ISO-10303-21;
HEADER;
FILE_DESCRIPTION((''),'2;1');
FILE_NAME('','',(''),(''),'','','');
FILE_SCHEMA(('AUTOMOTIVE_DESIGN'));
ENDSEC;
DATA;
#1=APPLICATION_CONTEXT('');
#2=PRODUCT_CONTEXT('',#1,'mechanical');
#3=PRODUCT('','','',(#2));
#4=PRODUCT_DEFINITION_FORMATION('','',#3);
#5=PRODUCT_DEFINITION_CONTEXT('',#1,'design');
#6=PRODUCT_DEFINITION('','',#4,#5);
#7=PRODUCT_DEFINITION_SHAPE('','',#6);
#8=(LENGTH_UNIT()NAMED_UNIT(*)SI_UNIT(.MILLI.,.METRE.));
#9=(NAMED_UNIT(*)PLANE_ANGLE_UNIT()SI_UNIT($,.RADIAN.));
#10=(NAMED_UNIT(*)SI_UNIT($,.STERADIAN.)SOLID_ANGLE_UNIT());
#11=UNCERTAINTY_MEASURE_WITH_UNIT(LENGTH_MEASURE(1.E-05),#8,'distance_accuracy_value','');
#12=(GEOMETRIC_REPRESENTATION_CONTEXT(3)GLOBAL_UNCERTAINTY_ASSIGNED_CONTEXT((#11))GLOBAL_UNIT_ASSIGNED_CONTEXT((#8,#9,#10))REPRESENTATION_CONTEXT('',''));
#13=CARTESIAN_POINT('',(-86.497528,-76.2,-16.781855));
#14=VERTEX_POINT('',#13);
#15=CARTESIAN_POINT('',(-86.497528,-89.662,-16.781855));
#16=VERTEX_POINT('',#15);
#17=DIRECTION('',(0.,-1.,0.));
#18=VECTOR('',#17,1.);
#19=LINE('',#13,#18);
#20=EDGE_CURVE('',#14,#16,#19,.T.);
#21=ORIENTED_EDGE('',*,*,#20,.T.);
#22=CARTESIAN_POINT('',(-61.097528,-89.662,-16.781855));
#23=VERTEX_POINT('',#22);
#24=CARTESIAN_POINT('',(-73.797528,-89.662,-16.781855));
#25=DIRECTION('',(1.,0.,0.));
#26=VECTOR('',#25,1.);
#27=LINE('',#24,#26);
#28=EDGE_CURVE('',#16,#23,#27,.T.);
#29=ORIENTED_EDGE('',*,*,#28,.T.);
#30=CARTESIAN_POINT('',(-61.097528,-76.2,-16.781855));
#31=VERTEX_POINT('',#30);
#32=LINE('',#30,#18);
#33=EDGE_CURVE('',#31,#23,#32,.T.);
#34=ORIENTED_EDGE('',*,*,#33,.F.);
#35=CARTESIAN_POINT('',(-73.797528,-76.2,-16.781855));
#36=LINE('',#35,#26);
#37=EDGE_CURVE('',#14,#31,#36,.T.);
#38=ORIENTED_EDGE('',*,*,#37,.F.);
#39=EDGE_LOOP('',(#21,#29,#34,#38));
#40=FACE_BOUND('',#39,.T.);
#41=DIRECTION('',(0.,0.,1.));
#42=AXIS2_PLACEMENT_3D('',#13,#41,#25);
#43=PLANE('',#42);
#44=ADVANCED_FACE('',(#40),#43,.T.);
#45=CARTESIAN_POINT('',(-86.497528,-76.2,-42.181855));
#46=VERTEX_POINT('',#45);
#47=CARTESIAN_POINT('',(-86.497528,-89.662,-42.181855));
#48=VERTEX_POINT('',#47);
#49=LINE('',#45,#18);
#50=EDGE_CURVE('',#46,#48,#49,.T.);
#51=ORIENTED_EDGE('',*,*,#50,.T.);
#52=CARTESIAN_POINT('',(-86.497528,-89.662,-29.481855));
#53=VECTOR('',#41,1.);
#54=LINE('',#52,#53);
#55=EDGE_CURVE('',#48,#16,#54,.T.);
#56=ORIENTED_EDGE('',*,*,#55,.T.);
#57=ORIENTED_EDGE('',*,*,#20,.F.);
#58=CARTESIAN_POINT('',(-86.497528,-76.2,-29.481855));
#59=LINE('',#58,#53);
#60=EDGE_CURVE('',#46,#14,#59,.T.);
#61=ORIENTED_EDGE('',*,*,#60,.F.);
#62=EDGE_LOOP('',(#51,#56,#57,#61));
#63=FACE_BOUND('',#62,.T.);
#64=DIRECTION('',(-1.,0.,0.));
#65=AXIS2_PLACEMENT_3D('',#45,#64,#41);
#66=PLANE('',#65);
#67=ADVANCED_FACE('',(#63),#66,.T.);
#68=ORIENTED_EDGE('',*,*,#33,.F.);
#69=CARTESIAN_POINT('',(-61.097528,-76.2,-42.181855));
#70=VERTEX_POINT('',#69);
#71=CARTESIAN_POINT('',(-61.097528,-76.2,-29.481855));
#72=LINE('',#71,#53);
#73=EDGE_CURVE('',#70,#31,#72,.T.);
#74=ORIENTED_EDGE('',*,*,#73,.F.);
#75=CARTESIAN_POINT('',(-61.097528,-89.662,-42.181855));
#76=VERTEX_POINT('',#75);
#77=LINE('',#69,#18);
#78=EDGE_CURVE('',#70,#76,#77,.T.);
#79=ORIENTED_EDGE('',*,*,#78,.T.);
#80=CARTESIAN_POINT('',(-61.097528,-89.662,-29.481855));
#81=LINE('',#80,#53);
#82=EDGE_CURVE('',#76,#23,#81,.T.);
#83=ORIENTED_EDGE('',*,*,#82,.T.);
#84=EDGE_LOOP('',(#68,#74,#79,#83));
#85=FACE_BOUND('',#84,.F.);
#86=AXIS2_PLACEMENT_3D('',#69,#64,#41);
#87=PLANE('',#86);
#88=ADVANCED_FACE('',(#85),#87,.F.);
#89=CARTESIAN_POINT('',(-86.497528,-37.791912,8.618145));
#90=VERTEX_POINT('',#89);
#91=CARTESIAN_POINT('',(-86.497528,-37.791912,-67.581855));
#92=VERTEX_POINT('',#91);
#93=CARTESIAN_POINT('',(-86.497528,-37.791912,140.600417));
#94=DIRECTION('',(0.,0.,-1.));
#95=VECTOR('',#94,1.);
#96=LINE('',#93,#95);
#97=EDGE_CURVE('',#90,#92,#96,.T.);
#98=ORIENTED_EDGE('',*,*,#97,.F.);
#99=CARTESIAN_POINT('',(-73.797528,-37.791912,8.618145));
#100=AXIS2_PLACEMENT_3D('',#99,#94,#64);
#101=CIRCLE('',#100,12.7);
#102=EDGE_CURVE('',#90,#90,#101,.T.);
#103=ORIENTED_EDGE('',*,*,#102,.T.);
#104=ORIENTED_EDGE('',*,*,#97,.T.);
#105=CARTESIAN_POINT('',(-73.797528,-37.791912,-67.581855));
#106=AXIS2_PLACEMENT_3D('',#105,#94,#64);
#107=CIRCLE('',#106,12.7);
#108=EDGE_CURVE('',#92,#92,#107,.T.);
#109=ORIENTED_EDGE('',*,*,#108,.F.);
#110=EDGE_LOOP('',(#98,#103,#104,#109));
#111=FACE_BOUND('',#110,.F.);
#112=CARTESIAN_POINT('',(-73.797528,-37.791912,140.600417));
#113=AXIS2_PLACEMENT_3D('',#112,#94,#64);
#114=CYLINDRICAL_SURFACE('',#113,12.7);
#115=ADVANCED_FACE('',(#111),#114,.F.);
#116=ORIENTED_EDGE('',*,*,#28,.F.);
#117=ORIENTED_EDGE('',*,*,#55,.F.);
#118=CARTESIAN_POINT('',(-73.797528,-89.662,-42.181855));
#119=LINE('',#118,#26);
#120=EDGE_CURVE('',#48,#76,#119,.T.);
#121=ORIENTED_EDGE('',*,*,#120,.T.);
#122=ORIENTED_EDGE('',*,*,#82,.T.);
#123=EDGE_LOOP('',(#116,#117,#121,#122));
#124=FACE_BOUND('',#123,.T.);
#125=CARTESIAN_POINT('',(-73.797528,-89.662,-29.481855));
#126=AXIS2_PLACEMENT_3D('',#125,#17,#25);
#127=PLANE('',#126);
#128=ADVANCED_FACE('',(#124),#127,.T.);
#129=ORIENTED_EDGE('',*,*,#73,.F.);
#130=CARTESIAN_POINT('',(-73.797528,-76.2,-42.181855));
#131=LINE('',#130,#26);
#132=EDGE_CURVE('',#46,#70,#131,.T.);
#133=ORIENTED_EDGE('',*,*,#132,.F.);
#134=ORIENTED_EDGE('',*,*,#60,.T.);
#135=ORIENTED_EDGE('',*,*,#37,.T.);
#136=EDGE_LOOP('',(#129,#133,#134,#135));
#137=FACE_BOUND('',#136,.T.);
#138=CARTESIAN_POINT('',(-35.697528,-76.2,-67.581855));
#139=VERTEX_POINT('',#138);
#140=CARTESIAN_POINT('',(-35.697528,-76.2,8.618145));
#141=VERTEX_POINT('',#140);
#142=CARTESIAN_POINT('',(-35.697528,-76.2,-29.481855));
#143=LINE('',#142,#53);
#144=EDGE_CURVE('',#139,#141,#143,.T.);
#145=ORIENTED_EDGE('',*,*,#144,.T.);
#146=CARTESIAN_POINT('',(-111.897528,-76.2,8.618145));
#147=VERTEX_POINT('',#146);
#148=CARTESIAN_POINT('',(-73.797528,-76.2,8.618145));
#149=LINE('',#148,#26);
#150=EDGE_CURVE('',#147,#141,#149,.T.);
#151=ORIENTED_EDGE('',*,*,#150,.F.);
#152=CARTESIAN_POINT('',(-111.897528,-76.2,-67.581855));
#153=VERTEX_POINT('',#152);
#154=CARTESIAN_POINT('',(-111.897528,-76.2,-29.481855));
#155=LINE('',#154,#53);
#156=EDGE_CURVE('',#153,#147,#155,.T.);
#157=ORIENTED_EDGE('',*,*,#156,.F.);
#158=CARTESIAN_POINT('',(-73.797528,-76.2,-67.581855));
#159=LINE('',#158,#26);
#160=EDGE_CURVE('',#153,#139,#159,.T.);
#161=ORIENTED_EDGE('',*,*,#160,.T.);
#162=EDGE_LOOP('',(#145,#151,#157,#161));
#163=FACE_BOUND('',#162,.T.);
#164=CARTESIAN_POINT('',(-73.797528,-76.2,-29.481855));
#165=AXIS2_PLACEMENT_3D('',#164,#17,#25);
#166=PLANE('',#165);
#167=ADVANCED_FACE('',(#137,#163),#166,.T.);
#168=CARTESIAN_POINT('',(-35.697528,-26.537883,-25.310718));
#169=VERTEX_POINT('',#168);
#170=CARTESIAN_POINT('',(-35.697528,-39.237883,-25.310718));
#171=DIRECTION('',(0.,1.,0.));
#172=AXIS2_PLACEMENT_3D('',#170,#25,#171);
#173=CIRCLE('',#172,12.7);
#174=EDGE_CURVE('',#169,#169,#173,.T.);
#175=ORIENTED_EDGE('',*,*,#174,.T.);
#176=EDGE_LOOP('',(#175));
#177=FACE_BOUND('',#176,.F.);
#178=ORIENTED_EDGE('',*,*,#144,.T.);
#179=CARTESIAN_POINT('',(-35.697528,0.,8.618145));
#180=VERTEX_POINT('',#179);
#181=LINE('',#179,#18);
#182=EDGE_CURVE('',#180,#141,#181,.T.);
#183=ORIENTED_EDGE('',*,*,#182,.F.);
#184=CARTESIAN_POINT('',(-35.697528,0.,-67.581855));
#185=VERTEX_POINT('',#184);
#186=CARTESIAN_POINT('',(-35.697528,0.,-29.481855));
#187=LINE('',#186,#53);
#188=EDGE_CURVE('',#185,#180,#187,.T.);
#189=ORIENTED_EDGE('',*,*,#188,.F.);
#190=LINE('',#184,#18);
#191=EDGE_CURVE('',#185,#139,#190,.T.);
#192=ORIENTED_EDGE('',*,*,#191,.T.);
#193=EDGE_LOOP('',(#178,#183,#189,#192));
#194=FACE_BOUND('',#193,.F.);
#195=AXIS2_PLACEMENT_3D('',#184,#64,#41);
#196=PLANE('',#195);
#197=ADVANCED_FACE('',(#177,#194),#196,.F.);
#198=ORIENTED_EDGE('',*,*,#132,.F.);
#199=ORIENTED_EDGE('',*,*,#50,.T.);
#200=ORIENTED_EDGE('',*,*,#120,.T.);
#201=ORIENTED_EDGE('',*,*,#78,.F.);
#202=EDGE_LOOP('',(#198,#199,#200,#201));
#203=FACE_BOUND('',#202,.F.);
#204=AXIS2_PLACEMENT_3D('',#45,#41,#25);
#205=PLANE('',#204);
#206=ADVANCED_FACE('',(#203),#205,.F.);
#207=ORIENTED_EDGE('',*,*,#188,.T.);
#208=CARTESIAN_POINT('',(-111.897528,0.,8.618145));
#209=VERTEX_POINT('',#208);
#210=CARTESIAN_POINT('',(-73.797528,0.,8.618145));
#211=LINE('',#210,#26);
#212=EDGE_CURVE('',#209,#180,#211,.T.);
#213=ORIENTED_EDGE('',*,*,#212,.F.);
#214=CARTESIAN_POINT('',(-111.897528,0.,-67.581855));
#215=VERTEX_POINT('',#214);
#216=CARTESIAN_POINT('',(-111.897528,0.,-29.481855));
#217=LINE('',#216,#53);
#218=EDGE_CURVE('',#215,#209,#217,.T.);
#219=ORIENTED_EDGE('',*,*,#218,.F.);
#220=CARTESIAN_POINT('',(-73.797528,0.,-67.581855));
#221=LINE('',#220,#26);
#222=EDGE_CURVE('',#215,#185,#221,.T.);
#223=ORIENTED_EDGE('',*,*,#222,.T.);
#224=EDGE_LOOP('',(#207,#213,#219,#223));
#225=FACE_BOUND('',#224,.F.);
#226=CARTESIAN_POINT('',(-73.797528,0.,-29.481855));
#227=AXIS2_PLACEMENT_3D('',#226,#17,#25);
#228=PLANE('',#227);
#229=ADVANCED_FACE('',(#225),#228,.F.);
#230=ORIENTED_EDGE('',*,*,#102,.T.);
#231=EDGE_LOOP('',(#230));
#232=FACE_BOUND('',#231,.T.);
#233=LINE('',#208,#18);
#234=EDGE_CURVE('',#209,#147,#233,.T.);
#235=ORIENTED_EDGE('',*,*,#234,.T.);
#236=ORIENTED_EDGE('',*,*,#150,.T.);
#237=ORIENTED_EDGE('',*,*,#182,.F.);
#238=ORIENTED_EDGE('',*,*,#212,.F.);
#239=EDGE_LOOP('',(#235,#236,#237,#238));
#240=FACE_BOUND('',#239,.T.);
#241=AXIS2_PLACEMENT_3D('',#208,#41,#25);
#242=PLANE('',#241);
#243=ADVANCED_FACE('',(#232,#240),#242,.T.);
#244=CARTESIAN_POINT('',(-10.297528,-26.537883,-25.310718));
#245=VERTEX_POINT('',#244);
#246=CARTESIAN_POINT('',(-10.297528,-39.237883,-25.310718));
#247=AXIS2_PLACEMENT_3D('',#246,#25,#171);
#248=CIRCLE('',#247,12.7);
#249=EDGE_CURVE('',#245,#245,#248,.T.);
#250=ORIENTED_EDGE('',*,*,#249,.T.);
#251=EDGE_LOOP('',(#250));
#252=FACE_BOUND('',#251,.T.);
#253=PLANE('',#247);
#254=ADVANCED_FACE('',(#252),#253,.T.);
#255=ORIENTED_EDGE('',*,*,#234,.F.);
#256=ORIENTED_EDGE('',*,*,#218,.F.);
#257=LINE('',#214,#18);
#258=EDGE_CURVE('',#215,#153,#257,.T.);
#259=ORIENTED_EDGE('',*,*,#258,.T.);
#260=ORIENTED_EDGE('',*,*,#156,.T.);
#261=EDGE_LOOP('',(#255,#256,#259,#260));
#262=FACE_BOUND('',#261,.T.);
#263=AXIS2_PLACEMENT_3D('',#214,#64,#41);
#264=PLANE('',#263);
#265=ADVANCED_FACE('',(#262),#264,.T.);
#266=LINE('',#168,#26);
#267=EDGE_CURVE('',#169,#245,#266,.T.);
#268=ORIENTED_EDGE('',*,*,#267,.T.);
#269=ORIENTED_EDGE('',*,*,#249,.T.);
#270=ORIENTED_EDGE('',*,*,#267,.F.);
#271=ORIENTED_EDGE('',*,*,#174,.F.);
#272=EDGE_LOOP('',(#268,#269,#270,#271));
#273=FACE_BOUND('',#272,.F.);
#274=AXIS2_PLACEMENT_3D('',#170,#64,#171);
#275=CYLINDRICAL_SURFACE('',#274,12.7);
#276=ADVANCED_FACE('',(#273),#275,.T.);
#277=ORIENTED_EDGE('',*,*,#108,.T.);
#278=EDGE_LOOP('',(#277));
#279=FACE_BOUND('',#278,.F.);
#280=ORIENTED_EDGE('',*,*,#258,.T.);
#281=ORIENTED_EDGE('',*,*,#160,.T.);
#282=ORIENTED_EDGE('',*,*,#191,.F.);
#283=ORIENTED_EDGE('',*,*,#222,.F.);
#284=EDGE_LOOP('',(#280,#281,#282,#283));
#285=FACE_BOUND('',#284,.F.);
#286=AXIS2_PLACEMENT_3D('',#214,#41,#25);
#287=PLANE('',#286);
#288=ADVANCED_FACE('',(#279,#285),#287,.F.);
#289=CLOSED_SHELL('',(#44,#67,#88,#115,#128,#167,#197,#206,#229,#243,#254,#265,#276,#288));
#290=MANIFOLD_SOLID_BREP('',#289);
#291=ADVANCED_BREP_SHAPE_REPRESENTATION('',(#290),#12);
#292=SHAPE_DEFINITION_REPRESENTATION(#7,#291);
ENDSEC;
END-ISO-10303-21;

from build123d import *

# Parameters (mm, degrees)
F0_W     = 76.2
F0_H     = 76.2
F1_DEPTH = 76.2
F3_D     = 25.4
F4_W     = 25.4
F4_H     = 25.4
F5_DEPTH = 13.462
F6_R     = 12.7
F7_DEPTH = 25.4
F8_DEPTH = 25.4


with BuildPart() as f1:
    # F0 (on Front) → F1 (new body)
    with BuildSketch(Plane.XZ):
        with Locations((-73.797528, -29.481855)):
            Rectangle(F0_W, F0_H)
    extrude(amount=F1_DEPTH)

    # F3 (through all)
    with Locations(Plane.XY.offset(8.618145)):
        with Locations((-73.797528, -37.791912)):
            Hole(F3_D / 2)

    # F4 (on face) → F5 (join)
    with BuildSketch(Plane.XZ.offset(76.2)):
        with Locations((-73.797528, -29.481855)):
            Rectangle(F4_W, F4_H)
    extrude(amount=F5_DEPTH)

    # F6 (on face) → F7 (join)
    with BuildSketch(Plane.YZ.offset(-35.697528)):
        with Locations((-39.237883, -25.310718)):
            Circle(F6_R)
    extrude(amount=F7_DEPTH)

    # F6 (on face) → F8 (join)
    with BuildSketch(Plane.YZ.offset(-35.697528)):
        with Locations((-39.237883, -25.310718)):
            Circle(F6_R)
    extrude(amount=F8_DEPTH)


solid = f1.part
